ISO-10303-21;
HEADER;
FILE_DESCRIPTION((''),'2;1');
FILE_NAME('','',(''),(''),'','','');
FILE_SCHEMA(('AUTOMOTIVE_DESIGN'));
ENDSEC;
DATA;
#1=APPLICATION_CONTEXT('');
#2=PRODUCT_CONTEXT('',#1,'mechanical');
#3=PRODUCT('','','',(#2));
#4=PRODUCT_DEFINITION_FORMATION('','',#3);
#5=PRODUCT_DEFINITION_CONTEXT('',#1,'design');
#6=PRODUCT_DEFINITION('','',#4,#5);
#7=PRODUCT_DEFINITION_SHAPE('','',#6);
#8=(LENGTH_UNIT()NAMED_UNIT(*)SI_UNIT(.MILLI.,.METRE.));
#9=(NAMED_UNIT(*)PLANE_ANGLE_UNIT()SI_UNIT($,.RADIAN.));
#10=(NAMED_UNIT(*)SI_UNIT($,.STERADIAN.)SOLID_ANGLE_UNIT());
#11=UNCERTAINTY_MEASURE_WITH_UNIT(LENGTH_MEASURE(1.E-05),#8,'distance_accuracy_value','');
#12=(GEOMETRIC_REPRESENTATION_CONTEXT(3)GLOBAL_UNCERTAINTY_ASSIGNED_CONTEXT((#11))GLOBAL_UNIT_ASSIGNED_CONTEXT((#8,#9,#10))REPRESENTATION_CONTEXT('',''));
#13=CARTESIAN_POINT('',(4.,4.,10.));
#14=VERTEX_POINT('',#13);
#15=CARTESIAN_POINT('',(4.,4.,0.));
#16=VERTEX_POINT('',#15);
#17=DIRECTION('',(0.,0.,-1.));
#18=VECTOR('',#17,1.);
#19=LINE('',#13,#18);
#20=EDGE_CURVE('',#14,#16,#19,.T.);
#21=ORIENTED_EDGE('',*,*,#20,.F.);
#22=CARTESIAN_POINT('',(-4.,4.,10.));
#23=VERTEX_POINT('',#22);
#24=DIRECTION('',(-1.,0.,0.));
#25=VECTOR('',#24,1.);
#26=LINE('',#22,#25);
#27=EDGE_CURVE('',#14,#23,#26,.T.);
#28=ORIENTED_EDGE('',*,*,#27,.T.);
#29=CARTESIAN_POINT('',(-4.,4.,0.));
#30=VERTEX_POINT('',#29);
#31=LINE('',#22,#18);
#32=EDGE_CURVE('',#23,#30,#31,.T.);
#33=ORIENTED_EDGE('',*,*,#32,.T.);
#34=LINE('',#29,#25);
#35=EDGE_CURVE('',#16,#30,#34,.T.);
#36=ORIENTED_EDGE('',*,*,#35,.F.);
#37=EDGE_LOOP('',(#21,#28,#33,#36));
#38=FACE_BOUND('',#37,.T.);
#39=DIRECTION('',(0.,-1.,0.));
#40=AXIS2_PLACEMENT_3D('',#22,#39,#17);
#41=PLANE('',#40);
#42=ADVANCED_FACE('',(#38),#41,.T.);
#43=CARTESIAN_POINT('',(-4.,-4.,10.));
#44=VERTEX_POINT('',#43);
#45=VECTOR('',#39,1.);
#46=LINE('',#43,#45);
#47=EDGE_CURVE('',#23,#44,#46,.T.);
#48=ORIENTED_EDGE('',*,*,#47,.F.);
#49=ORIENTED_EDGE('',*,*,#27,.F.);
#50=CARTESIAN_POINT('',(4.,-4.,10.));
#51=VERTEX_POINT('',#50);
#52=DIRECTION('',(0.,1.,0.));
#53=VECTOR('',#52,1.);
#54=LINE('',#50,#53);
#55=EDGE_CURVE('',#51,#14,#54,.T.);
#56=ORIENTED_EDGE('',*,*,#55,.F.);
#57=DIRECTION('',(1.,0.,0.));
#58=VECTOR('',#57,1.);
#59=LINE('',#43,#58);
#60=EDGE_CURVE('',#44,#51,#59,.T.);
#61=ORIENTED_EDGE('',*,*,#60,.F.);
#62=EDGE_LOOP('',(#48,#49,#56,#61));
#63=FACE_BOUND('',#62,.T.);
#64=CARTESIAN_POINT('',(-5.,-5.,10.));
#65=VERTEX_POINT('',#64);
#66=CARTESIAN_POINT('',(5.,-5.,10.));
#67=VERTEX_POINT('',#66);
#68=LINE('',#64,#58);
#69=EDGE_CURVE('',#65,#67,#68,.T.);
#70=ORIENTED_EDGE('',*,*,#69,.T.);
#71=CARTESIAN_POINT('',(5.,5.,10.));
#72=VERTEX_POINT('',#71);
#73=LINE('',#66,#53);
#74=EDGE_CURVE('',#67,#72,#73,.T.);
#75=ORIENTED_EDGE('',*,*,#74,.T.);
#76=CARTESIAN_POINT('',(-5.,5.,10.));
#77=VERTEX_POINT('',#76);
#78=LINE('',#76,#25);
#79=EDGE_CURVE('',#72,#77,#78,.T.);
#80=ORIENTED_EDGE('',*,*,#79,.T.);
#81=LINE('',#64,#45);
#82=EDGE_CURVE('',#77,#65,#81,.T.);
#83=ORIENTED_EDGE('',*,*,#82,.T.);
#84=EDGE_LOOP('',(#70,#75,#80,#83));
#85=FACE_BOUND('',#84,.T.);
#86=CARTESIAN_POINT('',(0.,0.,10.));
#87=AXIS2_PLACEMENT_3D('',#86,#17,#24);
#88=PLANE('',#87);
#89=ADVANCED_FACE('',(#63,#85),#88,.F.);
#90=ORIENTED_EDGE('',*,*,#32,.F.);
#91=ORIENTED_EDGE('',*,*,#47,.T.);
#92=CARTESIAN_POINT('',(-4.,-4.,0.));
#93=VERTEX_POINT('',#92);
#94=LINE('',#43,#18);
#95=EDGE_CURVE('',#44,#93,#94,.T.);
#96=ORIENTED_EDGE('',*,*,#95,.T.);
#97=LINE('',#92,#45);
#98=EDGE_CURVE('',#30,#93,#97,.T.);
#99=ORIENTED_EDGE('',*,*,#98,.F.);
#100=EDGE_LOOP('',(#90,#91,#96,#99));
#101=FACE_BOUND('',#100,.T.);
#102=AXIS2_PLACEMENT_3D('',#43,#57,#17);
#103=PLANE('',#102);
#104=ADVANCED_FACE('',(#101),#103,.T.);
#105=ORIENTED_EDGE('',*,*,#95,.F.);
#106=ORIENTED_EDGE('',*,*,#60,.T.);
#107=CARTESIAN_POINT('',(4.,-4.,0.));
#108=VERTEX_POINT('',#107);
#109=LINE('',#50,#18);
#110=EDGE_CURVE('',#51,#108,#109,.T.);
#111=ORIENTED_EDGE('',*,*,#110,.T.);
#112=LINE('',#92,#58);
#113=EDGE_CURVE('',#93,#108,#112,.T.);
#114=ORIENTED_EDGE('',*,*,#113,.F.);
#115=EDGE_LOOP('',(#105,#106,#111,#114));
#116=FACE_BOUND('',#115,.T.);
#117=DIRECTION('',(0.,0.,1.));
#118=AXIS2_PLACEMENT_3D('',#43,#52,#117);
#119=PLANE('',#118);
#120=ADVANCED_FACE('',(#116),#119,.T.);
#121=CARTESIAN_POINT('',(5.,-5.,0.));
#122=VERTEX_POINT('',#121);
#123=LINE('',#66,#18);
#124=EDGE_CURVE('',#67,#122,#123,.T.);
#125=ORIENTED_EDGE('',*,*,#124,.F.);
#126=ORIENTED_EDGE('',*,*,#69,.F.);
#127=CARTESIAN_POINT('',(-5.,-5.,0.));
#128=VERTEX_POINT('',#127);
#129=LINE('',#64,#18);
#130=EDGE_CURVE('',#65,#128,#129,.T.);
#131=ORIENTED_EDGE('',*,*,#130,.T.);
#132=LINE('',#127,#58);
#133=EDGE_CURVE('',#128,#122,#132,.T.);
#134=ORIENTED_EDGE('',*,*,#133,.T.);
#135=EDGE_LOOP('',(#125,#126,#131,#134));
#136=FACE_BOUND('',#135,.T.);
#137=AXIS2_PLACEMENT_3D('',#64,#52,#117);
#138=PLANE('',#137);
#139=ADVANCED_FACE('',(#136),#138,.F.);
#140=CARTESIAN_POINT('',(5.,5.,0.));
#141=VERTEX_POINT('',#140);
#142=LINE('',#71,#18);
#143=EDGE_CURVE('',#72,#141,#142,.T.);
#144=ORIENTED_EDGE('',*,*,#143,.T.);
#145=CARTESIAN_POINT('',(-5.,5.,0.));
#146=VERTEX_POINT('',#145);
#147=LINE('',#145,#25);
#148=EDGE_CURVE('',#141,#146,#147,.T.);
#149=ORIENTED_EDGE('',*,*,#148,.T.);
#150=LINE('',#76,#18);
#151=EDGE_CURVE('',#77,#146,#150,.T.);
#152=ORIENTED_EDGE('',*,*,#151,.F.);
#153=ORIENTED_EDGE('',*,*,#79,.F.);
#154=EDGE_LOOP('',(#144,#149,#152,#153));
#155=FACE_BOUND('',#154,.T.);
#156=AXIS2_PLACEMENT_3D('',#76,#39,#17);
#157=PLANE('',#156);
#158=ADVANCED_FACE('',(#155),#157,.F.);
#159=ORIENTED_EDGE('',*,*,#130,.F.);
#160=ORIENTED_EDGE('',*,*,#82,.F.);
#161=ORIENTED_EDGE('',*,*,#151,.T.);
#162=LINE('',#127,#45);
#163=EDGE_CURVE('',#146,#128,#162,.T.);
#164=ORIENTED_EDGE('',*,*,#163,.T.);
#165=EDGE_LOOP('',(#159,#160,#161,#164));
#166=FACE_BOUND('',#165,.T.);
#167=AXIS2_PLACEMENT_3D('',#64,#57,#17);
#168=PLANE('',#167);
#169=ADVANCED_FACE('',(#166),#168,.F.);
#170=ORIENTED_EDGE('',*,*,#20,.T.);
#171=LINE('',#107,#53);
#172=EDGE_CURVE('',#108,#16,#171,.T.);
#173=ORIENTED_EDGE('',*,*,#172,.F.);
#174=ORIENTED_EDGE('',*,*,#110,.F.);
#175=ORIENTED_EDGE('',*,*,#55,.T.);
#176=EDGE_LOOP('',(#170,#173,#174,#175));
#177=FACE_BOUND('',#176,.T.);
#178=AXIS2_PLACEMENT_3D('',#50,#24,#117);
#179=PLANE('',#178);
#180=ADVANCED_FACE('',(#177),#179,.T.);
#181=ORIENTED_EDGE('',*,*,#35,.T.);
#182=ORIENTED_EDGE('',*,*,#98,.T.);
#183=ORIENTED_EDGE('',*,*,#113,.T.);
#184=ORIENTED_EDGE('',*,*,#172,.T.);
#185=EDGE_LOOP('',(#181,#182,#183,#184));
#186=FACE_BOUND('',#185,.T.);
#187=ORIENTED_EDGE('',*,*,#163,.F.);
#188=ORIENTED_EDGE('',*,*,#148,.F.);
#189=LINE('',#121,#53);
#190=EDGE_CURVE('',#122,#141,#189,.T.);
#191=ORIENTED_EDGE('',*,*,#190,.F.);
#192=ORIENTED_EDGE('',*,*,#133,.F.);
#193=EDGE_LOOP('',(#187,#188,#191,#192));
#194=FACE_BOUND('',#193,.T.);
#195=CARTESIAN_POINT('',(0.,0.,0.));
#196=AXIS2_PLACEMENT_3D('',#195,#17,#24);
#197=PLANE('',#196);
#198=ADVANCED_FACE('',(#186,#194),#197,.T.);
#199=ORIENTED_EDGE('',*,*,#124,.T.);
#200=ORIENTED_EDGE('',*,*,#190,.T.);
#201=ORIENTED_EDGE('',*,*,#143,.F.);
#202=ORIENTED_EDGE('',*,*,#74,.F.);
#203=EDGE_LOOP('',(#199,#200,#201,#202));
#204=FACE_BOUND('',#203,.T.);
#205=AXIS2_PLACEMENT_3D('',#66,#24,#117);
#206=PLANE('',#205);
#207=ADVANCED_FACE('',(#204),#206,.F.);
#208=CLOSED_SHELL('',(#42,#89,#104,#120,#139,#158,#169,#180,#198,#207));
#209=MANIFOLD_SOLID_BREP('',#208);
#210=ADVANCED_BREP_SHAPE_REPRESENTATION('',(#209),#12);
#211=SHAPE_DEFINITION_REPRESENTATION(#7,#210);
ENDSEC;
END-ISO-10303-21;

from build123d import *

# Parameters (mm, degrees)
SKETCH_1_W      = 10
SKETCH_1_H      = 10
SKETCH_1_W_2    = 8
SKETCH_1_H_2    = 8
EXTRUDE_1_DEPTH = 10


with BuildPart() as part:
    # 草图1 → 凸台-拉伸1 (new body)
    with BuildSketch(Plane.XY):
        Rectangle(SKETCH_1_W, SKETCH_1_H)
        Rectangle(SKETCH_1_W_2, SKETCH_1_H_2, mode=Mode.SUBTRACT)
    extrude(amount=EXTRUDE_1_DEPTH)


solid = part.part
